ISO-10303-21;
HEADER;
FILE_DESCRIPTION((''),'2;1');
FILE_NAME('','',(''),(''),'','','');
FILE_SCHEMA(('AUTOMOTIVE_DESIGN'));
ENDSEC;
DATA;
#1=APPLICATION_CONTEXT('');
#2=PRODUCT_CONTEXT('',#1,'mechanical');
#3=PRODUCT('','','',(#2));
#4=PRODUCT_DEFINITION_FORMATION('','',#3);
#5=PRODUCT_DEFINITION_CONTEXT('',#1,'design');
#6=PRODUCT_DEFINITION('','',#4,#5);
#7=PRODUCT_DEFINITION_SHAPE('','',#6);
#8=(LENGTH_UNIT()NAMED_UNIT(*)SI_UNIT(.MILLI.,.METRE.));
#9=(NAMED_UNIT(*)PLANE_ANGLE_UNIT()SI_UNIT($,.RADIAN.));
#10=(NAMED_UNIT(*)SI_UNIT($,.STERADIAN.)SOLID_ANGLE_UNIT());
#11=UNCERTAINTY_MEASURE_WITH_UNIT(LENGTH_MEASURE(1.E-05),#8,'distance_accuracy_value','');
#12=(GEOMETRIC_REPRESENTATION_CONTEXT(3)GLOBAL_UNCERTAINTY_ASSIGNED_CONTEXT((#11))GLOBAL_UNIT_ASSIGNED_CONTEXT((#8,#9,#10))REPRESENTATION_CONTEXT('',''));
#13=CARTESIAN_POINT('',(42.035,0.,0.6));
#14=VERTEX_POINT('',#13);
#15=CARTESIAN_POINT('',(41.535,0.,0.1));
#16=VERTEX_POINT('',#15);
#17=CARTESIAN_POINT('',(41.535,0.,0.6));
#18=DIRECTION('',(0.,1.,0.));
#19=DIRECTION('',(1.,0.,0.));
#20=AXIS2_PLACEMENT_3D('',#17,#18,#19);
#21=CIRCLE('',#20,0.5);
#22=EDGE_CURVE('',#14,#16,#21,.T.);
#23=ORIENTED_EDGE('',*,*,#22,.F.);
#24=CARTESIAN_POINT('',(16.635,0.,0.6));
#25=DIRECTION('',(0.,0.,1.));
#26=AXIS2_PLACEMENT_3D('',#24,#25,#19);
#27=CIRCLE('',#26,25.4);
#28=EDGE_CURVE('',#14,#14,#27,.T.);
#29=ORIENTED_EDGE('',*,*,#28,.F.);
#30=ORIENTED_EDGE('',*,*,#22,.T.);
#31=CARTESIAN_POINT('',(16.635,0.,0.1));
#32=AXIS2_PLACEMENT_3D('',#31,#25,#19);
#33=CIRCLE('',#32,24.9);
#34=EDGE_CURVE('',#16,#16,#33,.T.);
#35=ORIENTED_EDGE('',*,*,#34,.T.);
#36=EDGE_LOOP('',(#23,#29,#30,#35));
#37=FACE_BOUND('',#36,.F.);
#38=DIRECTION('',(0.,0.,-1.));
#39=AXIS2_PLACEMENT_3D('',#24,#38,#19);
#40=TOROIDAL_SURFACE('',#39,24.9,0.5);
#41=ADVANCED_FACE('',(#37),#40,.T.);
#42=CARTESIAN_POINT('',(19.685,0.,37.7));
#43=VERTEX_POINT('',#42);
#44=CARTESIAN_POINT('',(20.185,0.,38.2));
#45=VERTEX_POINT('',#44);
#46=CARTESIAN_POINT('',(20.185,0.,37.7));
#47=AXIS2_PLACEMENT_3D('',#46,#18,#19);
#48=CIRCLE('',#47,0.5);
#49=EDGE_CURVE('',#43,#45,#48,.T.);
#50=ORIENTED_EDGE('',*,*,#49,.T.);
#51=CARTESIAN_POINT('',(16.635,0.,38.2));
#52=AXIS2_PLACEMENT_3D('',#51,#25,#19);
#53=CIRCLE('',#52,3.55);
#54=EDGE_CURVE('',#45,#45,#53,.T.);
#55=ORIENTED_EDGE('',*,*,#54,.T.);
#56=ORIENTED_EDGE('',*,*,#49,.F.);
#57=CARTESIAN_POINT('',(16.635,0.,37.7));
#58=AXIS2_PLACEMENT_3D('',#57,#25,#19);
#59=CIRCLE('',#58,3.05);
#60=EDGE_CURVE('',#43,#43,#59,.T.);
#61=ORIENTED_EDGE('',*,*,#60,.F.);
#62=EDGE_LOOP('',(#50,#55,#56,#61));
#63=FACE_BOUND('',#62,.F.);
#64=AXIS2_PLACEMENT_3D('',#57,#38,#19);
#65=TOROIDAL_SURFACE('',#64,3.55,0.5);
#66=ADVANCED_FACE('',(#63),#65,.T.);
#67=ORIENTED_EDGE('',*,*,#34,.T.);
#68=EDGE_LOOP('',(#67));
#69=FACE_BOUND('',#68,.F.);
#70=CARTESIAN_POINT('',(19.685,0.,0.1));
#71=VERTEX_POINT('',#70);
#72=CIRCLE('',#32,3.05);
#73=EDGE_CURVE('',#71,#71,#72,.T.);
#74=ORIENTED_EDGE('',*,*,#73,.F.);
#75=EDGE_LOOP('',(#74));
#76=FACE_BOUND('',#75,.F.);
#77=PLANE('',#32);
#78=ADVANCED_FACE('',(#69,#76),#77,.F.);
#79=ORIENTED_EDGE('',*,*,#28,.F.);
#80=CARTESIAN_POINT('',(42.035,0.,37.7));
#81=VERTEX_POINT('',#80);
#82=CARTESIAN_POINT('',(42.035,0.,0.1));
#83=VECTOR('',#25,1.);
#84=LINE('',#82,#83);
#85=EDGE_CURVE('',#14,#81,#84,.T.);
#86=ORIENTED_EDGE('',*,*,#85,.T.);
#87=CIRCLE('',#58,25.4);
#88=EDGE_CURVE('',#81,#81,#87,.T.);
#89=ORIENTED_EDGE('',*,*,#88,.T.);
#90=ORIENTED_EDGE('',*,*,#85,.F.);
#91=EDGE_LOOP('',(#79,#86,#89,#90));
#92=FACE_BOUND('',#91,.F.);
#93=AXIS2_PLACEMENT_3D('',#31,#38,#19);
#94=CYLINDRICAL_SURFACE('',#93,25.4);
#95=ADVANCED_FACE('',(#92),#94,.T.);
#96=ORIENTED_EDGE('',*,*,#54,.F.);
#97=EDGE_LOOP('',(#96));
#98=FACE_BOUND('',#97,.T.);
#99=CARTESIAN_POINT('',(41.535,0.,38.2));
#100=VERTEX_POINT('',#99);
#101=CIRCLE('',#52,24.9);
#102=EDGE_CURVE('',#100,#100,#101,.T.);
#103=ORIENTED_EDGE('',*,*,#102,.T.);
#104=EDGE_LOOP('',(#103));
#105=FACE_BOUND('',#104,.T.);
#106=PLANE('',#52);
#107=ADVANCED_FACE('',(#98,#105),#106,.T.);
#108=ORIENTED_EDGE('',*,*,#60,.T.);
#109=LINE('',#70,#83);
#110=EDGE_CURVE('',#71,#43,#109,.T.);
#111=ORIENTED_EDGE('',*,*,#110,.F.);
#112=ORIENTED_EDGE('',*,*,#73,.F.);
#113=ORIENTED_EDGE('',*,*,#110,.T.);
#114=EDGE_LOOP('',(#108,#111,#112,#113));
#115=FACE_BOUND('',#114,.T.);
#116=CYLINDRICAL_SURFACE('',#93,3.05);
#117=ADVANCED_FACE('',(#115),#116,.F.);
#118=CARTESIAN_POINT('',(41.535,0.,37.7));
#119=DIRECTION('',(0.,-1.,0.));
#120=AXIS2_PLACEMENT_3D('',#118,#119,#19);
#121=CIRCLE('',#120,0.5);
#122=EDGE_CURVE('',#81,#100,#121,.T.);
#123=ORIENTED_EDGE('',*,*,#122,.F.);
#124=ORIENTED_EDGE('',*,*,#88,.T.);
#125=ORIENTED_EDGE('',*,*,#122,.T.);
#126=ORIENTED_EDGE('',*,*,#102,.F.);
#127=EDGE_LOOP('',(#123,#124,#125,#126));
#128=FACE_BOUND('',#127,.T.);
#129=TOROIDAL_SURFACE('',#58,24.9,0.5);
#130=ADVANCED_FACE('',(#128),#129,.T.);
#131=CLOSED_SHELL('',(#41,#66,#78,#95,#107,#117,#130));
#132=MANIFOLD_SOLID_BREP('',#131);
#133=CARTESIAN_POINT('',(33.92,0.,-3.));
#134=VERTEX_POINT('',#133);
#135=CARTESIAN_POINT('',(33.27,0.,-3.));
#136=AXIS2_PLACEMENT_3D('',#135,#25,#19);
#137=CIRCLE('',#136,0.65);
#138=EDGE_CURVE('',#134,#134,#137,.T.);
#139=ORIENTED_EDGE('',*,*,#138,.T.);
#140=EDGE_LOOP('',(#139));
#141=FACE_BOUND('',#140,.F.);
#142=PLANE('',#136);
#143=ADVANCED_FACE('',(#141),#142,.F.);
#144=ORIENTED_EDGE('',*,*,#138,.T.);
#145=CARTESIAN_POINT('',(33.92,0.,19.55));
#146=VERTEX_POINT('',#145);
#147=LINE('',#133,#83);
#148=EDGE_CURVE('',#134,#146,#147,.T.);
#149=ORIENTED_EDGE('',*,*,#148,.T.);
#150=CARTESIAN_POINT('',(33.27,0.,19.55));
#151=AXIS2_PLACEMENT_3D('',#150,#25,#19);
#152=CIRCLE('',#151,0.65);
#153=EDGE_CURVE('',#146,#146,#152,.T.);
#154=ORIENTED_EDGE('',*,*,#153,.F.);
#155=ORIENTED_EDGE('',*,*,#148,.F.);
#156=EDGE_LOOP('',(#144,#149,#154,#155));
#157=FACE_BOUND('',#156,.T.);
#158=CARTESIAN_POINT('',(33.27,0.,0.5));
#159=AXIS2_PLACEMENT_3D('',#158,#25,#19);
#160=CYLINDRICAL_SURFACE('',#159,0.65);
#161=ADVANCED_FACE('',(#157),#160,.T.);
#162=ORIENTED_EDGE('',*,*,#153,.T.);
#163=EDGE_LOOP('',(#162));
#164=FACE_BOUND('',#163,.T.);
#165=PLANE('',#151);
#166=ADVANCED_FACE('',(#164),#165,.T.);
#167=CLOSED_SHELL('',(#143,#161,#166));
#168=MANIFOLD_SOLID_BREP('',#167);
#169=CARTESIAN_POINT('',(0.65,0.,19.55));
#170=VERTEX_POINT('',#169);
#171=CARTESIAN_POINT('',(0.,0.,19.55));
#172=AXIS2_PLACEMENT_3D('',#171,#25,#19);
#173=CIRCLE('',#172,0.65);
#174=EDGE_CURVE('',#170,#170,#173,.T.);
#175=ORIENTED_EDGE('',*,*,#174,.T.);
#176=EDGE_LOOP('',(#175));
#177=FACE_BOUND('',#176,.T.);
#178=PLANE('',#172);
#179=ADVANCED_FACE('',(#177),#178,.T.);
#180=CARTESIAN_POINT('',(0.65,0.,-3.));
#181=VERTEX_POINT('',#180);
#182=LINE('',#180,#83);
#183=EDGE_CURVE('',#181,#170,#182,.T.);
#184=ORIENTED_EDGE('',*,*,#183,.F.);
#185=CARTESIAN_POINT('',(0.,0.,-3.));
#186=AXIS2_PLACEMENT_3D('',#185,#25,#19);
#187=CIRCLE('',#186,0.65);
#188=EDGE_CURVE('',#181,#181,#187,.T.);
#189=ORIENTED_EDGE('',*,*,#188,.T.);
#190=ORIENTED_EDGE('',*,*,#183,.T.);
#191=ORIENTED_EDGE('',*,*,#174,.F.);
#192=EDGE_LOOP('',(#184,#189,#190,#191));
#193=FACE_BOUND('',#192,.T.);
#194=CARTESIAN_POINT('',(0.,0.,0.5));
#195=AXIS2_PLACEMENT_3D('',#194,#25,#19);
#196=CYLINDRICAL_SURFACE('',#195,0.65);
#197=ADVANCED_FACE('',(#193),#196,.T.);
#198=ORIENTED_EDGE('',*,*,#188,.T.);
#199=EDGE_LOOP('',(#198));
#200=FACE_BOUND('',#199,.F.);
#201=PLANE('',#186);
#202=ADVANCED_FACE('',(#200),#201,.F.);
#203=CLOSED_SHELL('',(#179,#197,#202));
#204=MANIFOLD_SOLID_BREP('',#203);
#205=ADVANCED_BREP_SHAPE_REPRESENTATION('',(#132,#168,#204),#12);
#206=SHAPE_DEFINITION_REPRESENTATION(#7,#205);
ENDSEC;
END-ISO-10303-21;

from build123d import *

# Parameters (mm, degrees)
SKETCH001_R       = 0.65
PAD001_DEPTH      = 19.05
PAD001_DEPTH_BACK = 3.5
SKETCH_R          = 25.4
SKETCH_R_2        = 3.05
PAD_DEPTH         = 38.1
FILLET_R          = 0.5


with BuildPart() as pad001:
    # Sketch001 → Pad001 (new body, two sides)
    with BuildSketch(Plane.XY.offset(0.5)) as pad001_sk:
        Circle(SKETCH001_R)
        with Locations((33.27, 0)):
            Circle(SKETCH001_R)
    extrude(amount=PAD001_DEPTH)
    extrude(pad001_sk.sketch, amount=-PAD001_DEPTH_BACK)


with BuildPart() as fillet_body:
    # Sketch → Pad (new body)
    with BuildSketch(Plane.XY.offset(0.1)):
        with Locations((16.635, 0)):
            Circle(SKETCH_R)
        with Locations((16.635, 0)):
            Circle(SKETCH_R_2, mode=Mode.SUBTRACT)
    extrude(amount=PAD_DEPTH)

    # Fillet
    fillet_edges = [fillet_body.edges().sort_by_distance(p)[0] for p in [
        (13.585, 0, 38.2),
        (-8.765, 0, 38.2),
        (-8.765, 0, 0.1),
    ]]
    fillet(fillet_edges, radius=FILLET_R)


solid = Compound([pad001.part, fillet_body.part])
